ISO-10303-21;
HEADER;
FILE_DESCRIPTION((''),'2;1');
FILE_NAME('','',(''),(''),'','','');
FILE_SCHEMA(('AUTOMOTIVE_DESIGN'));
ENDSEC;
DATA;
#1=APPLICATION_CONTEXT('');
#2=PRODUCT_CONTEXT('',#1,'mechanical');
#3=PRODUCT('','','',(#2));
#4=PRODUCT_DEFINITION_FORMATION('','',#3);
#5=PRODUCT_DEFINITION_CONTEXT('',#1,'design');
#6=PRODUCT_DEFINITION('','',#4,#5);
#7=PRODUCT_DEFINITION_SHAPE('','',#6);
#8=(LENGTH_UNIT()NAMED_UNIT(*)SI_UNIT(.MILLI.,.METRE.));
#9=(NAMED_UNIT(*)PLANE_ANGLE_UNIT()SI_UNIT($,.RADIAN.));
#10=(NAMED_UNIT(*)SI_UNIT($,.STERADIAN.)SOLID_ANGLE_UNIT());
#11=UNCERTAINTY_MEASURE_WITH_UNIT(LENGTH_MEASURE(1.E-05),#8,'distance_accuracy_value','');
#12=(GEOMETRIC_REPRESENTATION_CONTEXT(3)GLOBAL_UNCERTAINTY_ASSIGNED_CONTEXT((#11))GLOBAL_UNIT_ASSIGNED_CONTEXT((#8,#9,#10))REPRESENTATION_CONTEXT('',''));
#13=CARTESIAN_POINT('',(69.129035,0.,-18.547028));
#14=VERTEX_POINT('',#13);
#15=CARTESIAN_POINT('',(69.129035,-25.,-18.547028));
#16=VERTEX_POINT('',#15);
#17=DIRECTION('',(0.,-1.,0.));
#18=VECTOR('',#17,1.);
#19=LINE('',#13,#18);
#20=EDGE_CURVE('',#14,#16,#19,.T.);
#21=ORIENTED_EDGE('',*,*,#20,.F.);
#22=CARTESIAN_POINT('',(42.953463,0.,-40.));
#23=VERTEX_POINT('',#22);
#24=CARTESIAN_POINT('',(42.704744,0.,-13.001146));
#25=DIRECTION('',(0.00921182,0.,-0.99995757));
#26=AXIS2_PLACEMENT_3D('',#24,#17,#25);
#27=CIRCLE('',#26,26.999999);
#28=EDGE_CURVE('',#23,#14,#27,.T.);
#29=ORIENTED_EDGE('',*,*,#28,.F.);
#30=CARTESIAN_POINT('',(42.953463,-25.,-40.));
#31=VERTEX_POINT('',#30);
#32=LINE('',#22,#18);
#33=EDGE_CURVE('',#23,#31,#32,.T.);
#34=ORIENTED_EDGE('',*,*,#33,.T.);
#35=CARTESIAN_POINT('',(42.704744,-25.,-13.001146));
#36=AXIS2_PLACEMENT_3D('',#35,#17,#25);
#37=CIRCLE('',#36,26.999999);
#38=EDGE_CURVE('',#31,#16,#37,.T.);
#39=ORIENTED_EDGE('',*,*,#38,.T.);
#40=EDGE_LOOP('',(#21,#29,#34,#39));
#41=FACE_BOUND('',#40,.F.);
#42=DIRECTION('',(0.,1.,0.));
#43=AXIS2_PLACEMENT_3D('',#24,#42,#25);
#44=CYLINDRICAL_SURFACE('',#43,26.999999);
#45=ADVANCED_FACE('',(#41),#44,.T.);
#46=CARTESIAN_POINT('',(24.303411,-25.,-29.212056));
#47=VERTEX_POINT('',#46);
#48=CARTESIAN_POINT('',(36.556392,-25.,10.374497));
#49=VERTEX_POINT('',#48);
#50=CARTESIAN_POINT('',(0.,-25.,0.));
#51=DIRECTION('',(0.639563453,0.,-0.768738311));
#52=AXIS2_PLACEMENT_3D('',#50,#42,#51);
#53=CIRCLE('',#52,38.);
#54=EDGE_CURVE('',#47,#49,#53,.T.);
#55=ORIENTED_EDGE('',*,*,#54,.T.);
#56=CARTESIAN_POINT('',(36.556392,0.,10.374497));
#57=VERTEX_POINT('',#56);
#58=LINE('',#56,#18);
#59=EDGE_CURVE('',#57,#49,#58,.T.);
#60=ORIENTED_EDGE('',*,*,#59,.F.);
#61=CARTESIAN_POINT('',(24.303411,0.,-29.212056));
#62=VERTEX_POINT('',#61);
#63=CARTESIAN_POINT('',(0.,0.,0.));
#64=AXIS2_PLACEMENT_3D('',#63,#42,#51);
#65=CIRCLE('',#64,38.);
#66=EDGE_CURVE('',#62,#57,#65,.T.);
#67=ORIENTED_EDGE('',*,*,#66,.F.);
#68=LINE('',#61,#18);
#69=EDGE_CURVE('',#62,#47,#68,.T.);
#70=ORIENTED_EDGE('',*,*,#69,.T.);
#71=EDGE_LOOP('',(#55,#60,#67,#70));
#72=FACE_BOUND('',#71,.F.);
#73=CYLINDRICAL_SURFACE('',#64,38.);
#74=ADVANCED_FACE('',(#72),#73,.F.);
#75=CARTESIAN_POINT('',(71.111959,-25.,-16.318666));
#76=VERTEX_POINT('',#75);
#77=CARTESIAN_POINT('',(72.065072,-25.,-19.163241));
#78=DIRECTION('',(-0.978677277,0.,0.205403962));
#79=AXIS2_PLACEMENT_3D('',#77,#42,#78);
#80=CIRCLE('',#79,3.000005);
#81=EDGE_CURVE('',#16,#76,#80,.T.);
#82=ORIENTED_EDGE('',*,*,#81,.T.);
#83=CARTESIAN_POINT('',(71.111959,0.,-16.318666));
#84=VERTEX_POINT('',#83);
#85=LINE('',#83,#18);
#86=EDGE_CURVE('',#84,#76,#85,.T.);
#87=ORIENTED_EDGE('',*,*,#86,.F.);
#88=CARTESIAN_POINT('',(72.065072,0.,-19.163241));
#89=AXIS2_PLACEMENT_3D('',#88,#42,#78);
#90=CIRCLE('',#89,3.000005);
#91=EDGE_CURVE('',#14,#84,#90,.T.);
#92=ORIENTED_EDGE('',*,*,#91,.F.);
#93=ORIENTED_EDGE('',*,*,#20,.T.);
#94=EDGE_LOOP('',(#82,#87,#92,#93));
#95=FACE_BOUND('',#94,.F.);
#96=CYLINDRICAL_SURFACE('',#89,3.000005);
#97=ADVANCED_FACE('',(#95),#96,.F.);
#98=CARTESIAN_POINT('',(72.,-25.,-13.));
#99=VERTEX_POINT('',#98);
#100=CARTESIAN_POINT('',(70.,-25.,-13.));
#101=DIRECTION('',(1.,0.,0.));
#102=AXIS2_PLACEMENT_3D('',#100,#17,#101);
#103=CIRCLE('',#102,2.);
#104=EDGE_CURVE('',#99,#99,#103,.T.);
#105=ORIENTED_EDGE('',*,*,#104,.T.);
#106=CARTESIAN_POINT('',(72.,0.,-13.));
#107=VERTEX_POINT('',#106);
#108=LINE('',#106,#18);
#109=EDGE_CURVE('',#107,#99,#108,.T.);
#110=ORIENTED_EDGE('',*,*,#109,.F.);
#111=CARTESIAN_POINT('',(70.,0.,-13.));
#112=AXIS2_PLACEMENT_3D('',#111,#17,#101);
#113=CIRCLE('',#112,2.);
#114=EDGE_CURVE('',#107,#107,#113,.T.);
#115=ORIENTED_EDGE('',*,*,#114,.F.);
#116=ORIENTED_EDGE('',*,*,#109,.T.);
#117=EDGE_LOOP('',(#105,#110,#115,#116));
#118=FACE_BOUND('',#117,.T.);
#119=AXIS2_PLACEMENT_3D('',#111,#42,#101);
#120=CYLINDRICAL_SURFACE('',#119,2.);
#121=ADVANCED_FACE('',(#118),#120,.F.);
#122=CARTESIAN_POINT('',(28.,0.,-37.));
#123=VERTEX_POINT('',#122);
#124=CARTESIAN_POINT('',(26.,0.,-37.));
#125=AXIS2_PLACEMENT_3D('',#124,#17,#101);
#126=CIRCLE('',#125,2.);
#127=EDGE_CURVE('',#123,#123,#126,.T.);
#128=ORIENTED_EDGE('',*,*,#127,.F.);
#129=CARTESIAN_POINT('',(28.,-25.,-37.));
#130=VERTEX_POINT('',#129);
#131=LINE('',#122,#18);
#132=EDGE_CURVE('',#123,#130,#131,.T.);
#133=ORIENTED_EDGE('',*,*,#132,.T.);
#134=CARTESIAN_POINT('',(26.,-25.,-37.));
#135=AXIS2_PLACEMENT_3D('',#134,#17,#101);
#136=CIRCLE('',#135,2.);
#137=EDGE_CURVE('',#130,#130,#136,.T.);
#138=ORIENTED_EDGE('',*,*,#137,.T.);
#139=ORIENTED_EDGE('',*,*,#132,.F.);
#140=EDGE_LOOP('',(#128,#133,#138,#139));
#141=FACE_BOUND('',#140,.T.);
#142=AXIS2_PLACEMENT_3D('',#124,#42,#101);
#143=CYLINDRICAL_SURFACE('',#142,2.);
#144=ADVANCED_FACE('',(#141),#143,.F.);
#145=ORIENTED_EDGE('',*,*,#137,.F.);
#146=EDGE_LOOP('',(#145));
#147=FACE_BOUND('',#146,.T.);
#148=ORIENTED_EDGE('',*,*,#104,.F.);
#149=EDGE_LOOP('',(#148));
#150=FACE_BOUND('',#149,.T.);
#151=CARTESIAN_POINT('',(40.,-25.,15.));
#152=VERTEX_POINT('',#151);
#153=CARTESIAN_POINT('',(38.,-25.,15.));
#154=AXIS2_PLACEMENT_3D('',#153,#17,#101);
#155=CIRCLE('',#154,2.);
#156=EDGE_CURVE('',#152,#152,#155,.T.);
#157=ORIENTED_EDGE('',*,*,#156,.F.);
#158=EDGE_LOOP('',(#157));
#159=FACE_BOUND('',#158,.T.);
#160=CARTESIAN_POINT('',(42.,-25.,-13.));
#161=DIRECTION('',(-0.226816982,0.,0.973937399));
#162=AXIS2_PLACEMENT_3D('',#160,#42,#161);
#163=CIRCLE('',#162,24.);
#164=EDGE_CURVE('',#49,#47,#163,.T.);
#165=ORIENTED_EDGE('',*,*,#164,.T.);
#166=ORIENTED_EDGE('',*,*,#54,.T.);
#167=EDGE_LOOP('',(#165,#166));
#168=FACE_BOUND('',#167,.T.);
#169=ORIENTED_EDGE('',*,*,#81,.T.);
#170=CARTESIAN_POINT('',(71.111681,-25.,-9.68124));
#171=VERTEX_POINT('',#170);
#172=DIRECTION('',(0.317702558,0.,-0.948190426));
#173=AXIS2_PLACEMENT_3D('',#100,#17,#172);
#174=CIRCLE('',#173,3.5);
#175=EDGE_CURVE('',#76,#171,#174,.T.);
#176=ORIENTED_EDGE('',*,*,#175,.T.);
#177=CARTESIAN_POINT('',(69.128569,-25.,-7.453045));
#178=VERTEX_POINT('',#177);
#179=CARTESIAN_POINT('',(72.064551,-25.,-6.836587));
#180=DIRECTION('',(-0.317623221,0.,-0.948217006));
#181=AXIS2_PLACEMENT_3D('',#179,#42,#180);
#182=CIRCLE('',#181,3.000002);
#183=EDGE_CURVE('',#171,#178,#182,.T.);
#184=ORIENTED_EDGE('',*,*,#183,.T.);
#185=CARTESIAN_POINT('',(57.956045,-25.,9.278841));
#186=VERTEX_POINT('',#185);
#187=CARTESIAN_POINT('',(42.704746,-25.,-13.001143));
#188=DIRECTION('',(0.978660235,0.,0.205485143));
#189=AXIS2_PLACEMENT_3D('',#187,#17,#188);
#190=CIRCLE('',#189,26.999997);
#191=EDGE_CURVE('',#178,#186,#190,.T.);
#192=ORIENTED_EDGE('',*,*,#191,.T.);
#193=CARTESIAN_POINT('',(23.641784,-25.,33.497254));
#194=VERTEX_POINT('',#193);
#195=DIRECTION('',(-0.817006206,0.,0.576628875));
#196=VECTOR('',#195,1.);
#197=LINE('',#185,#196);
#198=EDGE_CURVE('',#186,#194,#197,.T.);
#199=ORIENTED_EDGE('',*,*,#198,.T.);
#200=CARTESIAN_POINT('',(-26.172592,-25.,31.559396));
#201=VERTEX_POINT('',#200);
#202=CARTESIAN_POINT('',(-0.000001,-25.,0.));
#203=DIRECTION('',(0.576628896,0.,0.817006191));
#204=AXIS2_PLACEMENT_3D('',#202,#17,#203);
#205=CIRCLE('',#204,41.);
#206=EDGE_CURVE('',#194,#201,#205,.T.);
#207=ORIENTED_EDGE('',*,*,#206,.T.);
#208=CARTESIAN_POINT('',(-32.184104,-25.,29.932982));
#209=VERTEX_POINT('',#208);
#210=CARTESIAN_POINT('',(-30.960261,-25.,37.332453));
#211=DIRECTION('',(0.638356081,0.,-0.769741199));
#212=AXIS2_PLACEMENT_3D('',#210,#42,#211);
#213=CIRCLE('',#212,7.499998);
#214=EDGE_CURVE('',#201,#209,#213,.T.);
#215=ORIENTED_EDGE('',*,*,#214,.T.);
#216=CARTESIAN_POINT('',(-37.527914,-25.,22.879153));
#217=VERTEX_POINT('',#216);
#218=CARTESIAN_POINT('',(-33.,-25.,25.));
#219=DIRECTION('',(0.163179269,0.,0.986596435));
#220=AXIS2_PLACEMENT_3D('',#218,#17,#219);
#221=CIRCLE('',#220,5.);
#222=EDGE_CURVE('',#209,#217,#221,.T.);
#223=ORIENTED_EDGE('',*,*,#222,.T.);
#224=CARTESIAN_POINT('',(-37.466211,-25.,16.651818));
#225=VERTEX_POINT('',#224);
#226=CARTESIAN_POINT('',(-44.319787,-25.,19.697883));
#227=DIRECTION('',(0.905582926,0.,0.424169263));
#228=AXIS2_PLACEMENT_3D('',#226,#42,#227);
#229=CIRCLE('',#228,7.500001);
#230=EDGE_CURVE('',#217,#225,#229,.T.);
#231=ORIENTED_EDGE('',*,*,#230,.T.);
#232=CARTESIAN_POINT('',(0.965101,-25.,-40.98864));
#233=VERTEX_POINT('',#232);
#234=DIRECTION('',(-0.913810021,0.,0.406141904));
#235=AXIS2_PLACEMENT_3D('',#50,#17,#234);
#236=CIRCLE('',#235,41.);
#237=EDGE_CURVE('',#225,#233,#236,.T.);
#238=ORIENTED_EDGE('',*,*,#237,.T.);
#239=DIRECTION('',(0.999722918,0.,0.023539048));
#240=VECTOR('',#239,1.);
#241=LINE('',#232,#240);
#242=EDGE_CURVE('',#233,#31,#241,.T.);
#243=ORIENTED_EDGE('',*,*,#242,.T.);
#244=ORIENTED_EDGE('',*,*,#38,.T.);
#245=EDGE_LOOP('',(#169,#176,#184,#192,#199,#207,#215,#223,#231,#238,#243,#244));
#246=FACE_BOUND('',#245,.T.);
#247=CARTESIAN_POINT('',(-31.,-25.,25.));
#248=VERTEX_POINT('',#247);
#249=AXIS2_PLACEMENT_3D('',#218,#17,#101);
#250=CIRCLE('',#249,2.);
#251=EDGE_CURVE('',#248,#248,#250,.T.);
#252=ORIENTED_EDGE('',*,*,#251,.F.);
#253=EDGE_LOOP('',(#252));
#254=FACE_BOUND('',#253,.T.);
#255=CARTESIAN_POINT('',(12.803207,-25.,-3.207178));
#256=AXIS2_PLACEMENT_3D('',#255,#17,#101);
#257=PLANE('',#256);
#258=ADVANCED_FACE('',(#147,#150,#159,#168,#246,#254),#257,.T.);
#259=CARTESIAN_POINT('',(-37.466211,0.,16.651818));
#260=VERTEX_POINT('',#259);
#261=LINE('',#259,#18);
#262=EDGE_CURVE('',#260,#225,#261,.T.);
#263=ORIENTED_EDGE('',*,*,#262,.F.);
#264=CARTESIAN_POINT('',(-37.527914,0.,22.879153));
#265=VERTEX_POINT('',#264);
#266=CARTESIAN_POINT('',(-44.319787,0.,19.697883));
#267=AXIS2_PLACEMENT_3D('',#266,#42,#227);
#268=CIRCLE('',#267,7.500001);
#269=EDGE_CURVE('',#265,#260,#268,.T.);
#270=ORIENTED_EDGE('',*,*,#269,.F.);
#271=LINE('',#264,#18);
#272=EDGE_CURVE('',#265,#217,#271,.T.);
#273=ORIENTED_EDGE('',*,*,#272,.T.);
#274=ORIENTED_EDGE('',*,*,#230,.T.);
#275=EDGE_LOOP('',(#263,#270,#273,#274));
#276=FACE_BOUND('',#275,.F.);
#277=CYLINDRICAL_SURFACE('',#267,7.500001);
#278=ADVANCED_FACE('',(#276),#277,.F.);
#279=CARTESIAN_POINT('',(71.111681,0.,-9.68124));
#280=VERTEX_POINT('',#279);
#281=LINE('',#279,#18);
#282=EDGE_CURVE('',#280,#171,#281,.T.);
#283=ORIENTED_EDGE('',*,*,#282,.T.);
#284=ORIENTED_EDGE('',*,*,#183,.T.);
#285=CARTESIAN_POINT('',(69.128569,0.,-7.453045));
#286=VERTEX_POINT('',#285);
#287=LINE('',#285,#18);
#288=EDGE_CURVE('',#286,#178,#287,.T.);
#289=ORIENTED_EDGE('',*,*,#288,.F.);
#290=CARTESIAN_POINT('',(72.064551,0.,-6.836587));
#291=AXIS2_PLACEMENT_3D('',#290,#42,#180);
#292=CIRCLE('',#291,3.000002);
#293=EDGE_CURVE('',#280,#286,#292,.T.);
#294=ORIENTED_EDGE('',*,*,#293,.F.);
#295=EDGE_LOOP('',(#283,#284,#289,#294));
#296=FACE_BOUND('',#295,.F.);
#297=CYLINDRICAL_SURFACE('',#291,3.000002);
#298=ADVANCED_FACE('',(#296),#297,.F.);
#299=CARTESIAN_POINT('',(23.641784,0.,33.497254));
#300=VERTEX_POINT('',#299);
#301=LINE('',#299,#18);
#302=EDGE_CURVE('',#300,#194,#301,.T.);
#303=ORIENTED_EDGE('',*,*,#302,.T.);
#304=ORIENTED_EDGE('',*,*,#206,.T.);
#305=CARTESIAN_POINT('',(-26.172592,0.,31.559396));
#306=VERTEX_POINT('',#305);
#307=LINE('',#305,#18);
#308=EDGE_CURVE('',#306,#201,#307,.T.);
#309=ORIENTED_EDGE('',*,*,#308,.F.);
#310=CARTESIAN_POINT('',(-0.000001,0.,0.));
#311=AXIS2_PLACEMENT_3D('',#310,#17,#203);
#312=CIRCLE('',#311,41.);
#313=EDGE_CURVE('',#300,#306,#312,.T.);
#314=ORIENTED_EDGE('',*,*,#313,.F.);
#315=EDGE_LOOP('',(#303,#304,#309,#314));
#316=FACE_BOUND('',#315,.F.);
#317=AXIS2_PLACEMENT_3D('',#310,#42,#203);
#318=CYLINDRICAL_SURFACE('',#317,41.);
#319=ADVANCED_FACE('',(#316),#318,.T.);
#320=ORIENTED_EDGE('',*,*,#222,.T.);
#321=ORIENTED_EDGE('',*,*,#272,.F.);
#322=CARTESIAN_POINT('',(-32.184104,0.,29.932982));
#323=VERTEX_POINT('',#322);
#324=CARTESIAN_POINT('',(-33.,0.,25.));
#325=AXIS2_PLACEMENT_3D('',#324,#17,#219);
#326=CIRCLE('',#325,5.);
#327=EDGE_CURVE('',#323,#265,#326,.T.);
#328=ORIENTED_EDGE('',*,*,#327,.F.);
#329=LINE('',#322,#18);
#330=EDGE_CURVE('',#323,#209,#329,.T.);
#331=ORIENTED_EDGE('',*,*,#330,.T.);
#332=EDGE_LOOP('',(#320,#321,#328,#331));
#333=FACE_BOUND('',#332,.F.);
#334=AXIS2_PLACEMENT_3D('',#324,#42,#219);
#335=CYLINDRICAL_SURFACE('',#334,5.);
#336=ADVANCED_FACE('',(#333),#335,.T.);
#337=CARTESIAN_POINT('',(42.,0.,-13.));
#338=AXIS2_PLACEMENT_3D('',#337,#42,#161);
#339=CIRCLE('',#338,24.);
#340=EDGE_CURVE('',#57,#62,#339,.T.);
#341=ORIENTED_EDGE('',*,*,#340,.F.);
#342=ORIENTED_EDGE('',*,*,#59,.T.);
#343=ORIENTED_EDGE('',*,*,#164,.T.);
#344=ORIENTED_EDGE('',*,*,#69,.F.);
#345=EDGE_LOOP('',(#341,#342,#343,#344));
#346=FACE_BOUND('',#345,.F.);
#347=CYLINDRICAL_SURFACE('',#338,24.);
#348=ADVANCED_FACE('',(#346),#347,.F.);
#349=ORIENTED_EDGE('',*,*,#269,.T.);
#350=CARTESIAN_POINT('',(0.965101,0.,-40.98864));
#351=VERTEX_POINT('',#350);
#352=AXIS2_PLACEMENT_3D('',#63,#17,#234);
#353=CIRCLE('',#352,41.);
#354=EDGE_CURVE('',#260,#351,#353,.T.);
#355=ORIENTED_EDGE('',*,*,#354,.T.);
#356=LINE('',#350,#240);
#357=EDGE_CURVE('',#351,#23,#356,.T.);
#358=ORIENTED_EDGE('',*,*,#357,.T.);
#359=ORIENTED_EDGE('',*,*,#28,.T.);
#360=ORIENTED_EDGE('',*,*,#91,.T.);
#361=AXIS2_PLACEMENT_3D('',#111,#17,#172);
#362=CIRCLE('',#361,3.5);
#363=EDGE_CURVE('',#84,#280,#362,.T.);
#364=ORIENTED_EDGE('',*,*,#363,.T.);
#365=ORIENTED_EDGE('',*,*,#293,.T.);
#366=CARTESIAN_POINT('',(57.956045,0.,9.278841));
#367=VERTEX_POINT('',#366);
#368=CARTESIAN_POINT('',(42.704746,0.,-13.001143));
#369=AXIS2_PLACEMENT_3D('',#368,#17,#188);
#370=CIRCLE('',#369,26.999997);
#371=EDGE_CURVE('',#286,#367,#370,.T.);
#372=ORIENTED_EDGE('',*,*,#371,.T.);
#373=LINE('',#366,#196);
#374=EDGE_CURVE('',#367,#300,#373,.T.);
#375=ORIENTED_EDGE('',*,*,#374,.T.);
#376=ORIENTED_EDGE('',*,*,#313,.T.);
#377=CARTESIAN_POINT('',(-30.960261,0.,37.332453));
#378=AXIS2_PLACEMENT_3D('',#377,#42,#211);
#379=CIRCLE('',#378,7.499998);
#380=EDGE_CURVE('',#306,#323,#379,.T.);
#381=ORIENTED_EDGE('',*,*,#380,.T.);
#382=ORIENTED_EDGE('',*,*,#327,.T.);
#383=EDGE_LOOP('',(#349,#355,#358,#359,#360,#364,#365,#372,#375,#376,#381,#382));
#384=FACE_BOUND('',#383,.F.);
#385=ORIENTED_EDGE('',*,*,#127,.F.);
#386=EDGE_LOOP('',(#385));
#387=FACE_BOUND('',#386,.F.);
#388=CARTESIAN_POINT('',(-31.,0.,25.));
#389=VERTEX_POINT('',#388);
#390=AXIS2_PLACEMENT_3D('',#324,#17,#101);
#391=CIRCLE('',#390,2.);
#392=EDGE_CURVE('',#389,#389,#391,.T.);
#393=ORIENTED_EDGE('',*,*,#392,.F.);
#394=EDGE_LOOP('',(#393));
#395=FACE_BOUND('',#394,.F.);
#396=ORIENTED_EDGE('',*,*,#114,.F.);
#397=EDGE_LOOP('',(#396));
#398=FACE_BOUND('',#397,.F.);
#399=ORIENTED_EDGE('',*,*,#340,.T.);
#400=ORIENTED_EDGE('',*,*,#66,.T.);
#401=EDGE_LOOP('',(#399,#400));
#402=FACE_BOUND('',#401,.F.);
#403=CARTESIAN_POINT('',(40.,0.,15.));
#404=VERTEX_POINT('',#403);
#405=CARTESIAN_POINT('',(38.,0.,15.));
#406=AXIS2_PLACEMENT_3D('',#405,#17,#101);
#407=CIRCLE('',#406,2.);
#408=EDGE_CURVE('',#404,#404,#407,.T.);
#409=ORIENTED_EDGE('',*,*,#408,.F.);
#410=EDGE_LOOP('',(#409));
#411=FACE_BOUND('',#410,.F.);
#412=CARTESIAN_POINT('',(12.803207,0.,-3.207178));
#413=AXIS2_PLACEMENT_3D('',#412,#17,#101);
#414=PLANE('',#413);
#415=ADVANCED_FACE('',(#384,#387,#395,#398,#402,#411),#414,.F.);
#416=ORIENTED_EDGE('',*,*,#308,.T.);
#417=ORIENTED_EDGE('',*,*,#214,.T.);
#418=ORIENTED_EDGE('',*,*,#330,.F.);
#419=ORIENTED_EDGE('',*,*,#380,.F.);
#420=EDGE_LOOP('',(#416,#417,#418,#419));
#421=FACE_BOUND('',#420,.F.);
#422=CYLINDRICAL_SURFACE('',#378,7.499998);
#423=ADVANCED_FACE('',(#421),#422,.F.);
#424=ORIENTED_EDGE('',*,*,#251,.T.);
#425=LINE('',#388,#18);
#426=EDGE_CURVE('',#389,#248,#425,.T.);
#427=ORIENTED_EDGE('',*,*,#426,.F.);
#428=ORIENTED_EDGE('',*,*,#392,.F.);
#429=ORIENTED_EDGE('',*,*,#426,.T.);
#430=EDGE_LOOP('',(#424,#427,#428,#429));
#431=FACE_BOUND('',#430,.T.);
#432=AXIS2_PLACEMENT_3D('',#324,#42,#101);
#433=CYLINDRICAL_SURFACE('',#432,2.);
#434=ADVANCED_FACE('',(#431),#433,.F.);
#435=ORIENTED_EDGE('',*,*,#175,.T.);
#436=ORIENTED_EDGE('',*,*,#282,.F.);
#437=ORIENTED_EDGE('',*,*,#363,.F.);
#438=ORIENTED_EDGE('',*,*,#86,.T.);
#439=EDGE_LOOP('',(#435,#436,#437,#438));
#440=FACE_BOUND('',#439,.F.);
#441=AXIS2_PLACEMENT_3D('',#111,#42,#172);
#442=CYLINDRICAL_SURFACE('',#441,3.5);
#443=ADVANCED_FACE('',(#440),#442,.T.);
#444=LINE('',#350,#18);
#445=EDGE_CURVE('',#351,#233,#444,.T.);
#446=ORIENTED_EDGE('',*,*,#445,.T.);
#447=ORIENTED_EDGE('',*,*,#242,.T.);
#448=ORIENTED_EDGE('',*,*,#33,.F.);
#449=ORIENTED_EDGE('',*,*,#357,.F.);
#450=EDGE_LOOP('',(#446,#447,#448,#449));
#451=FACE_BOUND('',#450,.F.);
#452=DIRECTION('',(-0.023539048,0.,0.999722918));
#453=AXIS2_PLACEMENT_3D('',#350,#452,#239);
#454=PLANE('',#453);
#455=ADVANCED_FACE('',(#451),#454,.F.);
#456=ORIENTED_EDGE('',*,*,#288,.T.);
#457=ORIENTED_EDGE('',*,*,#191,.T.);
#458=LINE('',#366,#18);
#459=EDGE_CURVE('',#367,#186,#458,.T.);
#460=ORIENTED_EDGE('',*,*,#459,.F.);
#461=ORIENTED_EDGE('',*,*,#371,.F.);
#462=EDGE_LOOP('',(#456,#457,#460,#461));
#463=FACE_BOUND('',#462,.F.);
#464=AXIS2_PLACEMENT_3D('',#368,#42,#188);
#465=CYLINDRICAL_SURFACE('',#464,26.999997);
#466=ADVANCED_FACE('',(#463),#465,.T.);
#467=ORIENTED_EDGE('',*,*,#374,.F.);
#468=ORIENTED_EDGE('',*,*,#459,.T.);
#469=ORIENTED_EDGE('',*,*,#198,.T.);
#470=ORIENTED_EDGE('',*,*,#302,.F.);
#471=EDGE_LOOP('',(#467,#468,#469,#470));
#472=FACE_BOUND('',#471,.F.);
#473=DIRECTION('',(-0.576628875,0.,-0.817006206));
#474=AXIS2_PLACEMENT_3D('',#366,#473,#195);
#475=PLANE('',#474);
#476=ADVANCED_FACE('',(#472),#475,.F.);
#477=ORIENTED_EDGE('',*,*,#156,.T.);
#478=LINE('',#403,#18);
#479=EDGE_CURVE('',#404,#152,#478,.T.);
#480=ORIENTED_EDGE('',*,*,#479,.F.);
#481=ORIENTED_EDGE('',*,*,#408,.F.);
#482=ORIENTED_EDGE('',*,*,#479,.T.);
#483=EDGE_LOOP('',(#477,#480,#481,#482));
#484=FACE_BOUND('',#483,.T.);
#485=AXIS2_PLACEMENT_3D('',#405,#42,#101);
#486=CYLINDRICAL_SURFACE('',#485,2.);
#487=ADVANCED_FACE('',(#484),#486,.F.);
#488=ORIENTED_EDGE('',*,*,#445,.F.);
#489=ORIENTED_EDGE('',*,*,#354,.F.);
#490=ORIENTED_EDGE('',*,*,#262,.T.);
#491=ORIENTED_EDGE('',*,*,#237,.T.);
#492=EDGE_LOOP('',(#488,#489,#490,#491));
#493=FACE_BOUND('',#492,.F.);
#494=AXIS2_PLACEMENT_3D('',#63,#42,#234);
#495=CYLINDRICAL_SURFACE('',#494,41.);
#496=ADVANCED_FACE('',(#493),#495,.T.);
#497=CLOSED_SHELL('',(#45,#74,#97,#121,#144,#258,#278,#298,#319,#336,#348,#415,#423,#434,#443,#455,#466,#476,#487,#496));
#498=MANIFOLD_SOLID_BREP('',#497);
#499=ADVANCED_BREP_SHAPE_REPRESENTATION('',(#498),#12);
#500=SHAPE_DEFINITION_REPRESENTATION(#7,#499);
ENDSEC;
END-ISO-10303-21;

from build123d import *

# Parameters (mm, degrees)
F0_R     = 2
F1_DEPTH = 25


with BuildPart() as f1:
    # F0 (on Front) → F1 (new body)
    with BuildSketch(Plane.XZ):
        with BuildLine():
            Line((57.956045, 9.278841), (23.641784, 33.497254))
            ThreePointArc((23.641784, 33.497254), (-1.59376, 40.969012), (-26.172592, 31.559396))
            ThreePointArc((-26.172592, 31.559396), (-29.001558, 30.09274), (-32.184104, 29.932982))
            ThreePointArc((-32.184104, 29.932982), (-36.985461, 28.019288), (-37.527914, 22.879153))
            ThreePointArc((-37.527914, 22.879153), (-36.820154, 19.772193), (-37.466211, 16.651818))
            ThreePointArc((-37.466211, 16.651818), (-34.112877, -22.744486), (0.965101, -40.98864))
            Line((0.965101, -40.98864), (42.953463, -40))
            ThreePointArc((42.953463, -40), (59.819646, -33.883677), (69.129035, -18.547028))
            ThreePointArc((69.129035, -18.547028), (69.823918, -17.168934), (71.111959, -16.318666))
            ThreePointArc((71.111959, -16.318666), (73.5, -12.999853), (71.111681, -9.68124))
            ThreePointArc((71.111681, -9.68124), (69.823568, -8.831081), (69.128569, -7.453045))
            ThreePointArc((69.128569, -7.453045), (65.158987, 1.992418), (57.956045, 9.278841))
        make_face()
        with Locations((26, -37)):
            Circle(F0_R, mode=Mode.SUBTRACT)
        with Locations((70, -13)):
            Circle(F0_R, mode=Mode.SUBTRACT)
        with BuildLine():
            ThreePointArc((24.303411, -29.212056), (-36.300864, 11.235982), (36.556392, 10.374497))
            ThreePointArc((36.556392, 10.374497), (64.926861, -20.096409), (24.303411, -29.212056))
        make_face(mode=Mode.SUBTRACT)
        with Locations((-33, 25)):
            Circle(F0_R, mode=Mode.SUBTRACT)
        with Locations((38, 15)):
            Circle(F0_R, mode=Mode.SUBTRACT)
    extrude(amount=F1_DEPTH)


solid = f1.part
